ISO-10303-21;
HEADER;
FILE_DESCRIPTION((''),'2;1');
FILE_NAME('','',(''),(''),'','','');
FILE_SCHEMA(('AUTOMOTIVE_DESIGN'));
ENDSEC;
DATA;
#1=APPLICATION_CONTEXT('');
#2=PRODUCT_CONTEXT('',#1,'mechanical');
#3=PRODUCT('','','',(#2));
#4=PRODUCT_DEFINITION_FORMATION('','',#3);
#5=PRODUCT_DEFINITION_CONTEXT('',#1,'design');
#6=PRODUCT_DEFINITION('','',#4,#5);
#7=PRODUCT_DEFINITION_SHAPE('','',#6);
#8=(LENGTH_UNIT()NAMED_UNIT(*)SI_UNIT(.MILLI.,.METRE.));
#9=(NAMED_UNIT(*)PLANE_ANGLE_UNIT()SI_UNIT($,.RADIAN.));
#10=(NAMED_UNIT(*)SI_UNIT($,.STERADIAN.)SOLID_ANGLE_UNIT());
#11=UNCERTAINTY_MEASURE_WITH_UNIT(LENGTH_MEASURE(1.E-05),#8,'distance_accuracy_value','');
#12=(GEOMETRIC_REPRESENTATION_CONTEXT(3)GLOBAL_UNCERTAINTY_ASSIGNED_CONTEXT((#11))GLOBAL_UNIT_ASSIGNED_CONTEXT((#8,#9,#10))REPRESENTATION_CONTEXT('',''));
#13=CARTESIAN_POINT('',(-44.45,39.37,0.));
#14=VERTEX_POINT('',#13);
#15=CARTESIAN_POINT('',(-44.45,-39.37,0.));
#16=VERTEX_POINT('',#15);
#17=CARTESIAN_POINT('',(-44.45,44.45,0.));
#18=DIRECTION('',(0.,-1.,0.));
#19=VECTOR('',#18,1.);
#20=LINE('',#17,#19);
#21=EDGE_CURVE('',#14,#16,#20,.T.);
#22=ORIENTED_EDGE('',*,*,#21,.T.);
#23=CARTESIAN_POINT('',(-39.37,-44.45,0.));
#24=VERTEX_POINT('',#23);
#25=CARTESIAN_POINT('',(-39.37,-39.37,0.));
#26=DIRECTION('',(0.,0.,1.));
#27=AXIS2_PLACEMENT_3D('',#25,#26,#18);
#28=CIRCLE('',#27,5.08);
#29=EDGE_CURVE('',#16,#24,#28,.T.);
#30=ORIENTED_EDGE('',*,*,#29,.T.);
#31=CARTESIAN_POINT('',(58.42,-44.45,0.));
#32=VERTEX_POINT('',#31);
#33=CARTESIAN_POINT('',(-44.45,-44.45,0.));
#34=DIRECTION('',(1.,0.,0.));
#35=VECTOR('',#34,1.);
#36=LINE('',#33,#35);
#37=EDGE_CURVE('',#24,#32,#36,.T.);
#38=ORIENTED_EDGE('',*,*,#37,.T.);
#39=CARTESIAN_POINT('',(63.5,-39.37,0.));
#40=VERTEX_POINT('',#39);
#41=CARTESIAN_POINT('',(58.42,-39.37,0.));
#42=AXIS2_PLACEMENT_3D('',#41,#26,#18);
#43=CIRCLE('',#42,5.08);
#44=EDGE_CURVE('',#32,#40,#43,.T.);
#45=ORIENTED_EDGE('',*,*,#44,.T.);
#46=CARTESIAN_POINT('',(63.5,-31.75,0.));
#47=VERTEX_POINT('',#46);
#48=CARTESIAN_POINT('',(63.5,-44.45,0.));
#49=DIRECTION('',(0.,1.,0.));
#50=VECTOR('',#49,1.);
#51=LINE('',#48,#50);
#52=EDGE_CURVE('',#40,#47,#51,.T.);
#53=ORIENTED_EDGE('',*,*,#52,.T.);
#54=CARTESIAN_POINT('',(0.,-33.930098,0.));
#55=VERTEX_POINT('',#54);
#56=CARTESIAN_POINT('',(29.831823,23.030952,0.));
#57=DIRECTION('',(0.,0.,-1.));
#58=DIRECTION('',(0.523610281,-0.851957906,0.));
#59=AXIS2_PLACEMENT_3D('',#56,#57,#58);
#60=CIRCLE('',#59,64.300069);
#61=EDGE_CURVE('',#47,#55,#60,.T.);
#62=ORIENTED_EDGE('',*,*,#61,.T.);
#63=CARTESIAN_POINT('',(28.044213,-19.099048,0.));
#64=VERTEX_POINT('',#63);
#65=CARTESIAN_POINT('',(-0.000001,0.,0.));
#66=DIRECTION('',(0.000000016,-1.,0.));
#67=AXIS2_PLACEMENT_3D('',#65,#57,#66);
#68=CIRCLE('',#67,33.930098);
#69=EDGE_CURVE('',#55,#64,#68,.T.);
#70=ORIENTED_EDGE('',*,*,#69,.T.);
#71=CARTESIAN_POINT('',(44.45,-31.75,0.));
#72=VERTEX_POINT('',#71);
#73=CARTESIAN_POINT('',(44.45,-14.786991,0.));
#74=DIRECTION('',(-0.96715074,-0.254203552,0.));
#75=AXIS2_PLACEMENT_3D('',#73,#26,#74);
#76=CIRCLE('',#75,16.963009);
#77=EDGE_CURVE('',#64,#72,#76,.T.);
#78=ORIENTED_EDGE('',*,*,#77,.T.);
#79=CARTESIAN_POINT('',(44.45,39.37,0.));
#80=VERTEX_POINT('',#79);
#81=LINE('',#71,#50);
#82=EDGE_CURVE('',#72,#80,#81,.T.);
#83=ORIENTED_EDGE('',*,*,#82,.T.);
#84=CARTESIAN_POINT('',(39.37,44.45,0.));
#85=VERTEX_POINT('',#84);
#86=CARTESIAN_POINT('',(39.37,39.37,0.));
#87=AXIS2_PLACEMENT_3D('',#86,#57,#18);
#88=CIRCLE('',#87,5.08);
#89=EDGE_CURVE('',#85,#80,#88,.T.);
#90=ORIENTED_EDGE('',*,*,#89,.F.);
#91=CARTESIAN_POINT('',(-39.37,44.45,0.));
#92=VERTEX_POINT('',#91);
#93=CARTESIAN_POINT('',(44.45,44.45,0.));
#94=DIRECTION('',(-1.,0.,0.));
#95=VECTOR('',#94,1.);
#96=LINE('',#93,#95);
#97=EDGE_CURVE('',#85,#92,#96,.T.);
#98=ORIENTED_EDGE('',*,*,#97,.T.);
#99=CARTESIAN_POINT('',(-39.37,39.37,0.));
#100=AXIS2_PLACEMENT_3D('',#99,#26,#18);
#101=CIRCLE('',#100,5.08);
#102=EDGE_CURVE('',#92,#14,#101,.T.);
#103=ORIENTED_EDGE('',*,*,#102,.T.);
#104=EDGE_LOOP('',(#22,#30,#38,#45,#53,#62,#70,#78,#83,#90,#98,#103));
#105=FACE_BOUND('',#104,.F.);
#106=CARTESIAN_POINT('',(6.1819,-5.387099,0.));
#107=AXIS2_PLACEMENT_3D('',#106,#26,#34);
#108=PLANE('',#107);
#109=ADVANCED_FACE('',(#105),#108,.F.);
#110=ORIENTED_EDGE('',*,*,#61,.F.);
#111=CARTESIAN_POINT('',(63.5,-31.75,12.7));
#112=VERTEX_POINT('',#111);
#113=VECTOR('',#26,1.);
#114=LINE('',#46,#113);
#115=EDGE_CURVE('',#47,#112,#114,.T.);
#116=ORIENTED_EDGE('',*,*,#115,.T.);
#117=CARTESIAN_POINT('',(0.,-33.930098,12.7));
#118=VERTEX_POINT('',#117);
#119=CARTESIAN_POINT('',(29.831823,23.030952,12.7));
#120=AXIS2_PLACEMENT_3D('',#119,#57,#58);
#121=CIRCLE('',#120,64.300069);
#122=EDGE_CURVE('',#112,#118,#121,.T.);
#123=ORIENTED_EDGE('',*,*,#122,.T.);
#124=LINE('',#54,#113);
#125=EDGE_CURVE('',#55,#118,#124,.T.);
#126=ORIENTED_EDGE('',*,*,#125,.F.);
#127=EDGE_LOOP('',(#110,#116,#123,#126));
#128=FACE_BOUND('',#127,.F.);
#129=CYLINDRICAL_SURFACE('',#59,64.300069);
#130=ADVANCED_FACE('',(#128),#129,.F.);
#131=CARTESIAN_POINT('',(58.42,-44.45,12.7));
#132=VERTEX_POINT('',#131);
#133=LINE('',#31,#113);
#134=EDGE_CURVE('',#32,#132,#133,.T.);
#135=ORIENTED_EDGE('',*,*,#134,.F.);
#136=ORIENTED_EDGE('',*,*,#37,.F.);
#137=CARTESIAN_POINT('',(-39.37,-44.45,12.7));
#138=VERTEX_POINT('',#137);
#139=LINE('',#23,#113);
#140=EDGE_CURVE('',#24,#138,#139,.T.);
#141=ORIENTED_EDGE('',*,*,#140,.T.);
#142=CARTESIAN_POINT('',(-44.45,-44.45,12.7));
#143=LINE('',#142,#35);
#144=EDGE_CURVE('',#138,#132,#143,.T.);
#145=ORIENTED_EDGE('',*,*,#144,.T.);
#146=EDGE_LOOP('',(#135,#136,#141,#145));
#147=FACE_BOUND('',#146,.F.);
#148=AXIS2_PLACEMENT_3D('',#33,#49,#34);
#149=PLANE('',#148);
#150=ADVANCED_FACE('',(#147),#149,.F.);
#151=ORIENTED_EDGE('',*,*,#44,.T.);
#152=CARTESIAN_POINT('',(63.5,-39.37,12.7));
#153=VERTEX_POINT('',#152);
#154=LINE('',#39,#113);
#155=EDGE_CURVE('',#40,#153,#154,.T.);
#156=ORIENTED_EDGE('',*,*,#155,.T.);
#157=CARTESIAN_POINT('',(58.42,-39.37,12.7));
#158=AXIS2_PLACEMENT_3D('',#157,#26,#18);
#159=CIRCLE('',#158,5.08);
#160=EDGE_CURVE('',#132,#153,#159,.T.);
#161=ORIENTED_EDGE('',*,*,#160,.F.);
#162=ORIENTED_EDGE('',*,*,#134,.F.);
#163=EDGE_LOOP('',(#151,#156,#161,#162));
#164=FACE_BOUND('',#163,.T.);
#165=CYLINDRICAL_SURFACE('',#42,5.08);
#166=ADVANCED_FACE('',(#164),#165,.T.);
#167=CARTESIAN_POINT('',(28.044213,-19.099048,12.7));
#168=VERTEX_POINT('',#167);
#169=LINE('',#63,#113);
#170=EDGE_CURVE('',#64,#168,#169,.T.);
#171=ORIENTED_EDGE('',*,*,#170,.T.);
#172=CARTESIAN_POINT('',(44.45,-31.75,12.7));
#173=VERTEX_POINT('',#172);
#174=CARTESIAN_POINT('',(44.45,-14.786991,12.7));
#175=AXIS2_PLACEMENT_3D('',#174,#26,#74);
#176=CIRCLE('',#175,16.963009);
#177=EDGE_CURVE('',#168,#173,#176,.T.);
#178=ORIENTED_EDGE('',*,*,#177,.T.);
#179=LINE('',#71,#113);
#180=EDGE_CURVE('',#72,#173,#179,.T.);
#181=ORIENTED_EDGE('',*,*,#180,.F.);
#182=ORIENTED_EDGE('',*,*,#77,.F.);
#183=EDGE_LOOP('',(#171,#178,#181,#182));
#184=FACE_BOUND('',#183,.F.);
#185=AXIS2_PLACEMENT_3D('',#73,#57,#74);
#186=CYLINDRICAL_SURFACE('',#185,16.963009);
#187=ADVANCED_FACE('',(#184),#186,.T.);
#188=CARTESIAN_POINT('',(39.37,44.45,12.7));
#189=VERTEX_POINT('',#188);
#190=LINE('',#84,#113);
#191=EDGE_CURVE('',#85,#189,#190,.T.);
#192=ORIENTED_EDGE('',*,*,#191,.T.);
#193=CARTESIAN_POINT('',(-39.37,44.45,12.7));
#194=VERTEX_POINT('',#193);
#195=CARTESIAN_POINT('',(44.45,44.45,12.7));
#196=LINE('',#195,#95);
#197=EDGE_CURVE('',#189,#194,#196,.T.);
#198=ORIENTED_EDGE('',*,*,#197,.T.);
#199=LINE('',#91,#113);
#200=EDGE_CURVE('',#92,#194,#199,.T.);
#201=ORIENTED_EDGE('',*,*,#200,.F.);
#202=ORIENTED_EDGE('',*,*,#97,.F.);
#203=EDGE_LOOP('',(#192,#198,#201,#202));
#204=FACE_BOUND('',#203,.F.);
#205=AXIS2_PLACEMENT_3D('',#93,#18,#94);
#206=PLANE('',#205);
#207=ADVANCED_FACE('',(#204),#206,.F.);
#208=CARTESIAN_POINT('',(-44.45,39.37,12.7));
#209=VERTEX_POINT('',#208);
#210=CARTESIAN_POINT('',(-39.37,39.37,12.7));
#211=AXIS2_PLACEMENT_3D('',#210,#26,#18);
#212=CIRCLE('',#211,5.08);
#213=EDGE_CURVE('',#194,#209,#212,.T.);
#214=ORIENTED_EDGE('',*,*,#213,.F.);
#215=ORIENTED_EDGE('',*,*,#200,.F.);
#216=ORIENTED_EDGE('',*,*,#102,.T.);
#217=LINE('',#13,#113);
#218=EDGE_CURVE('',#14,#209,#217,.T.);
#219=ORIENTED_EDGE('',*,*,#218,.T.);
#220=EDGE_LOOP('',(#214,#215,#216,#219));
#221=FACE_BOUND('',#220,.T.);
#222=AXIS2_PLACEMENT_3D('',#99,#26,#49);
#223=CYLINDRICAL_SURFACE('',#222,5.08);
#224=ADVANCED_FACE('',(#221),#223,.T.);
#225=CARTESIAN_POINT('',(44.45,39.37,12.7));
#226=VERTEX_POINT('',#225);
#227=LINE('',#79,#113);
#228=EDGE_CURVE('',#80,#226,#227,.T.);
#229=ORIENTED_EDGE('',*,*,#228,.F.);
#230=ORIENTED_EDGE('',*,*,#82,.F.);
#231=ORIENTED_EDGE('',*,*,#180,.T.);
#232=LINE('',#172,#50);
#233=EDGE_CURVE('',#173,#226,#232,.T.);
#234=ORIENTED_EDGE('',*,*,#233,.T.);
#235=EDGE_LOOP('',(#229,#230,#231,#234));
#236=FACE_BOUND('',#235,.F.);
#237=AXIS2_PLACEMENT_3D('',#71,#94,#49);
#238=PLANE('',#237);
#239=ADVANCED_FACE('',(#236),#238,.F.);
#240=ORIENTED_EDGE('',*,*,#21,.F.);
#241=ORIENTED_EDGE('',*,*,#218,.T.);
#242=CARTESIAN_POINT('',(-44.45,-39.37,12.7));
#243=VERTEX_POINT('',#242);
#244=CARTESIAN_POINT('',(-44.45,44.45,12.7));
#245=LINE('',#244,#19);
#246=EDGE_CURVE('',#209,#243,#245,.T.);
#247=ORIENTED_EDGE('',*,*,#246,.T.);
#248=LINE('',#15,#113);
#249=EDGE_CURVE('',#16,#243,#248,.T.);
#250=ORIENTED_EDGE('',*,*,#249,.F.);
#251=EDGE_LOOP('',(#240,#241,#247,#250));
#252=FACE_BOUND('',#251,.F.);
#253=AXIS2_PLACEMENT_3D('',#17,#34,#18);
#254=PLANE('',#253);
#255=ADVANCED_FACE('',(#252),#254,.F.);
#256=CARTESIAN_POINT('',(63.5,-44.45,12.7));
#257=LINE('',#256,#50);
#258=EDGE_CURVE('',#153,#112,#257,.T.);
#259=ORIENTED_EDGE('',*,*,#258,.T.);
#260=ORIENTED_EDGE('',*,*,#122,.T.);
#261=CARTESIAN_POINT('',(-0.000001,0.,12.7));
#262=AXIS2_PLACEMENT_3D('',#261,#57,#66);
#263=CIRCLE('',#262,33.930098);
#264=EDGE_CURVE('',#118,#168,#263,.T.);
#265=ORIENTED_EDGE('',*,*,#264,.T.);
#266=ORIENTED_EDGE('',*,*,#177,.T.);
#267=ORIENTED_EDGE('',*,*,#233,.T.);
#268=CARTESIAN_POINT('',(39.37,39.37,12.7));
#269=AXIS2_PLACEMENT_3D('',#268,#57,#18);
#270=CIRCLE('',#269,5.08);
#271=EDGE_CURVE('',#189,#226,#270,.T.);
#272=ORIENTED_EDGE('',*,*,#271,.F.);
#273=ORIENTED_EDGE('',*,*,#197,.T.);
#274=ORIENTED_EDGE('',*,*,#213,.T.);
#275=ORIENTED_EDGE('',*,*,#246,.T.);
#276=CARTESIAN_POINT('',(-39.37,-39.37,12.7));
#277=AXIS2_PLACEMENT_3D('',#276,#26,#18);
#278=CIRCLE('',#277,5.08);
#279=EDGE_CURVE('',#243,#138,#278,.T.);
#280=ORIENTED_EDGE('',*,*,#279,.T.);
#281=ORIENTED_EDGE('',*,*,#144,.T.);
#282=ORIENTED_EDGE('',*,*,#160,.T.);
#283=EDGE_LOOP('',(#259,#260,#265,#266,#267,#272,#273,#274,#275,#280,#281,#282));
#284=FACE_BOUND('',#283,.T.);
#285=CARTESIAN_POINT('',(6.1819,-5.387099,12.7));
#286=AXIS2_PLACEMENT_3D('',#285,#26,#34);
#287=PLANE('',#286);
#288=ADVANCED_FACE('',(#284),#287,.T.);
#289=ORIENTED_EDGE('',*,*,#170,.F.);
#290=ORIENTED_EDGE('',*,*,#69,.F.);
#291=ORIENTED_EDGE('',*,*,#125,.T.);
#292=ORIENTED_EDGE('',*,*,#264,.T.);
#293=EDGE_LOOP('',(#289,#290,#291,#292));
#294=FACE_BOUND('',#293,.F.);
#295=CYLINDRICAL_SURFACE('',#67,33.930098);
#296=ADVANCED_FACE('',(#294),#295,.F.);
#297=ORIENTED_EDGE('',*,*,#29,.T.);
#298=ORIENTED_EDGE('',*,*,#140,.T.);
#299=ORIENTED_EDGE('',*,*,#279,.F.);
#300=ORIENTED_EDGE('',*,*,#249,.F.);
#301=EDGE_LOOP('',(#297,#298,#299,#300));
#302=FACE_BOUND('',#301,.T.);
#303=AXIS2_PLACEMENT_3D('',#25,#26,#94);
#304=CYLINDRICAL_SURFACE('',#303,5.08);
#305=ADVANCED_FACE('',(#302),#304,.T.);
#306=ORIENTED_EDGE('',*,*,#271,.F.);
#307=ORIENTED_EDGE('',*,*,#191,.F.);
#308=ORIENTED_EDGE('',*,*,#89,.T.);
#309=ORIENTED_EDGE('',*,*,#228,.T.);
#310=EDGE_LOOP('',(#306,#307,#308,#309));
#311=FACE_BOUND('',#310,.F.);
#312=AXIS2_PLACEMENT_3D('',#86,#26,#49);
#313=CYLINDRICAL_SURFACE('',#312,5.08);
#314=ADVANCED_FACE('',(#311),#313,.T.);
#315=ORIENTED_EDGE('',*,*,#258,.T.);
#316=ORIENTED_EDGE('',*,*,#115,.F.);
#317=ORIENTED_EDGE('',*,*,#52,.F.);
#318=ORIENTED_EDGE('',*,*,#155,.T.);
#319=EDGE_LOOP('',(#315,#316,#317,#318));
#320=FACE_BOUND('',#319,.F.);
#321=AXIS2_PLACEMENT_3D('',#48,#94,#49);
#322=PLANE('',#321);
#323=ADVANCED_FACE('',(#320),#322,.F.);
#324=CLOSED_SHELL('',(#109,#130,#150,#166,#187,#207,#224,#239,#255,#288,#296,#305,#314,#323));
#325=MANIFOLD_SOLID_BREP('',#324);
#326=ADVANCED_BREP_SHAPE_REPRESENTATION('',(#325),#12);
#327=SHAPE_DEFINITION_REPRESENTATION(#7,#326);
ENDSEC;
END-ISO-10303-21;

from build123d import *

# Parameters (mm, degrees)
F1_DEPTH = 12.7
F2_R     = 5.08


with BuildPart() as f1:
    # F0 (on Top) → F1 (new body)
    with BuildSketch(Plane.XY):
        with BuildLine():
            Line((44.45, 44.45), (-44.45, 44.45))
            Line((-44.45, 44.45), (-44.45, -44.45))
            Line((-44.45, -44.45), (44.45, -44.45))
            Line((44.45, -44.45), (63.5, -44.45))
            Line((63.5, -44.45), (63.5, -31.75))
            ThreePointArc((63.5, -31.75), (32.038089, -41.231255), (0, -33.930098))
            ThreePointArc((0, -33.930098), (-15.862203, 29.994034), (28.044213, -19.099048))
            ThreePointArc((28.044213, -19.099048), (34.091472, -28.219957), (44.45, -31.75))
            Line((44.45, -31.75), (44.45, 44.45))
        make_face()
    extrude(amount=F1_DEPTH)

    # F2
    f2_edges = [f1.edges().sort_by_distance(p)[0] for p in [
        (-44.45, -44.45, 6.35),
        (63.5, -44.45, 6.35),
        (44.45, 44.45, 6.35),
        (-44.45, 44.45, 6.35),
    ]]
    fillet(f2_edges, radius=F2_R)


solid = f1.part
